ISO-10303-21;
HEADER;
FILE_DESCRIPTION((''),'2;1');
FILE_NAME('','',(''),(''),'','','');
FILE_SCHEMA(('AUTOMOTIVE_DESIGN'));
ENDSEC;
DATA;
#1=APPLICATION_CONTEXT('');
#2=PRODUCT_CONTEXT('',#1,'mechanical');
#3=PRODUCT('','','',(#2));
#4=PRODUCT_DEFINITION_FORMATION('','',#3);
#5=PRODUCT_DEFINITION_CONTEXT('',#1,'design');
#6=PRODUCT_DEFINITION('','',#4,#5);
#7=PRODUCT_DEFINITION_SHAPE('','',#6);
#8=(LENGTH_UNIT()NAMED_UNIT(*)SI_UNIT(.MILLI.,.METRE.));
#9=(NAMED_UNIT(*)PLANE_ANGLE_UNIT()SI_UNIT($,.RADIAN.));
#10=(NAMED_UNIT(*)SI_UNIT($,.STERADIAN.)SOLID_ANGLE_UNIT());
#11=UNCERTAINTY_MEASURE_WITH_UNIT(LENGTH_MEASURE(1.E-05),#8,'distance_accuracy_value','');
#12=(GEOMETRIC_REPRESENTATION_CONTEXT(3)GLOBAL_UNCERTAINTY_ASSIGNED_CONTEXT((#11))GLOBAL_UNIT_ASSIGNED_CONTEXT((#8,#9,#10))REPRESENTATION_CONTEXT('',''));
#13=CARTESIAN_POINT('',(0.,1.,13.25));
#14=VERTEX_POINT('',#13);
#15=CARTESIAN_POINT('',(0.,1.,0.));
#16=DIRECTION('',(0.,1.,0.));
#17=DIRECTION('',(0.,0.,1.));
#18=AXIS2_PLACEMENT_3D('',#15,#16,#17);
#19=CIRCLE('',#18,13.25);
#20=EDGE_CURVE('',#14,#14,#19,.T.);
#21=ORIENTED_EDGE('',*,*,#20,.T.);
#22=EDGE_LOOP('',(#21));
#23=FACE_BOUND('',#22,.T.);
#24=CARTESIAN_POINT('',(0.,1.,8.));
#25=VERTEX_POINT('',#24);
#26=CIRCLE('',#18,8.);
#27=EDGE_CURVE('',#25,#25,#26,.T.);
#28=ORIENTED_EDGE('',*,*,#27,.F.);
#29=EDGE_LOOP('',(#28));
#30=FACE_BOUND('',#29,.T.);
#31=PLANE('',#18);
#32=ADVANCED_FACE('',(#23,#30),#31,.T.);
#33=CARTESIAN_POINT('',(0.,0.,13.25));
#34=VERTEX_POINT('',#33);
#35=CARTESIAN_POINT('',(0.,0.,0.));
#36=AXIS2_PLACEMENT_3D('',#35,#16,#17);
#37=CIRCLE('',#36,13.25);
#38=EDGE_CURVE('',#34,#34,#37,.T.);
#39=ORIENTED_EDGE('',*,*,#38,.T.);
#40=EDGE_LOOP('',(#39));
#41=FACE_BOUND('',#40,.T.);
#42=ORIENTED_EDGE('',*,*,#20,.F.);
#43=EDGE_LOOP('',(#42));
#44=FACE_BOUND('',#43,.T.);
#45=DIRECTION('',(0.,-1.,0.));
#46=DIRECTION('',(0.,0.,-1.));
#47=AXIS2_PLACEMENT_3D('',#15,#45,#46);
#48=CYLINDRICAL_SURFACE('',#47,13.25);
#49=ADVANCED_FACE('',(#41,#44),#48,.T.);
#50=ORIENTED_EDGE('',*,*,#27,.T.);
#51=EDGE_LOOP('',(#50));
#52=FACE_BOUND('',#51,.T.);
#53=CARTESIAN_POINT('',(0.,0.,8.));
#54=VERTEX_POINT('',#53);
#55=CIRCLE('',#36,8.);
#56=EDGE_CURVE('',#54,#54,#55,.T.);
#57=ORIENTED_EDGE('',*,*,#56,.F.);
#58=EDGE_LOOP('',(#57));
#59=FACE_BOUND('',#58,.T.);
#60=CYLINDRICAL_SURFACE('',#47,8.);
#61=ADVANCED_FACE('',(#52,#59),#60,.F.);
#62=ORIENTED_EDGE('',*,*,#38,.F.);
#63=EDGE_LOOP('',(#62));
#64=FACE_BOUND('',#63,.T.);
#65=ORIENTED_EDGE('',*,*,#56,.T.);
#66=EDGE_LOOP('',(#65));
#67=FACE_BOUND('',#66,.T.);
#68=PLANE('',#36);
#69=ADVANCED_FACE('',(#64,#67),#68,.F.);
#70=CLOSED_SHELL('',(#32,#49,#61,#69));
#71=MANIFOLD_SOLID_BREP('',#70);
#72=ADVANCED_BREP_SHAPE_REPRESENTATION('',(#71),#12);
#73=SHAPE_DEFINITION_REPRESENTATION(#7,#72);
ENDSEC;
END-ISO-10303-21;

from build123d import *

# Parameters (mm, degrees)
SKETCH_1_R      = 13.25
SKETCH_1_R_2    = 8
EXTRUDE_2_DEPTH = 1


with BuildPart() as part:
    # ｽｹｯﾁ1 → ﾎﾞｽ - 押し出し2 (new body)
    with BuildSketch(Plane(origin=(0, 0, 0), x_dir=(1, 0, 0), z_dir=(0, 1, 0))):
        Circle(SKETCH_1_R)
        Circle(SKETCH_1_R_2, mode=Mode.SUBTRACT)
    extrude(amount=EXTRUDE_2_DEPTH)


solid = part.part
